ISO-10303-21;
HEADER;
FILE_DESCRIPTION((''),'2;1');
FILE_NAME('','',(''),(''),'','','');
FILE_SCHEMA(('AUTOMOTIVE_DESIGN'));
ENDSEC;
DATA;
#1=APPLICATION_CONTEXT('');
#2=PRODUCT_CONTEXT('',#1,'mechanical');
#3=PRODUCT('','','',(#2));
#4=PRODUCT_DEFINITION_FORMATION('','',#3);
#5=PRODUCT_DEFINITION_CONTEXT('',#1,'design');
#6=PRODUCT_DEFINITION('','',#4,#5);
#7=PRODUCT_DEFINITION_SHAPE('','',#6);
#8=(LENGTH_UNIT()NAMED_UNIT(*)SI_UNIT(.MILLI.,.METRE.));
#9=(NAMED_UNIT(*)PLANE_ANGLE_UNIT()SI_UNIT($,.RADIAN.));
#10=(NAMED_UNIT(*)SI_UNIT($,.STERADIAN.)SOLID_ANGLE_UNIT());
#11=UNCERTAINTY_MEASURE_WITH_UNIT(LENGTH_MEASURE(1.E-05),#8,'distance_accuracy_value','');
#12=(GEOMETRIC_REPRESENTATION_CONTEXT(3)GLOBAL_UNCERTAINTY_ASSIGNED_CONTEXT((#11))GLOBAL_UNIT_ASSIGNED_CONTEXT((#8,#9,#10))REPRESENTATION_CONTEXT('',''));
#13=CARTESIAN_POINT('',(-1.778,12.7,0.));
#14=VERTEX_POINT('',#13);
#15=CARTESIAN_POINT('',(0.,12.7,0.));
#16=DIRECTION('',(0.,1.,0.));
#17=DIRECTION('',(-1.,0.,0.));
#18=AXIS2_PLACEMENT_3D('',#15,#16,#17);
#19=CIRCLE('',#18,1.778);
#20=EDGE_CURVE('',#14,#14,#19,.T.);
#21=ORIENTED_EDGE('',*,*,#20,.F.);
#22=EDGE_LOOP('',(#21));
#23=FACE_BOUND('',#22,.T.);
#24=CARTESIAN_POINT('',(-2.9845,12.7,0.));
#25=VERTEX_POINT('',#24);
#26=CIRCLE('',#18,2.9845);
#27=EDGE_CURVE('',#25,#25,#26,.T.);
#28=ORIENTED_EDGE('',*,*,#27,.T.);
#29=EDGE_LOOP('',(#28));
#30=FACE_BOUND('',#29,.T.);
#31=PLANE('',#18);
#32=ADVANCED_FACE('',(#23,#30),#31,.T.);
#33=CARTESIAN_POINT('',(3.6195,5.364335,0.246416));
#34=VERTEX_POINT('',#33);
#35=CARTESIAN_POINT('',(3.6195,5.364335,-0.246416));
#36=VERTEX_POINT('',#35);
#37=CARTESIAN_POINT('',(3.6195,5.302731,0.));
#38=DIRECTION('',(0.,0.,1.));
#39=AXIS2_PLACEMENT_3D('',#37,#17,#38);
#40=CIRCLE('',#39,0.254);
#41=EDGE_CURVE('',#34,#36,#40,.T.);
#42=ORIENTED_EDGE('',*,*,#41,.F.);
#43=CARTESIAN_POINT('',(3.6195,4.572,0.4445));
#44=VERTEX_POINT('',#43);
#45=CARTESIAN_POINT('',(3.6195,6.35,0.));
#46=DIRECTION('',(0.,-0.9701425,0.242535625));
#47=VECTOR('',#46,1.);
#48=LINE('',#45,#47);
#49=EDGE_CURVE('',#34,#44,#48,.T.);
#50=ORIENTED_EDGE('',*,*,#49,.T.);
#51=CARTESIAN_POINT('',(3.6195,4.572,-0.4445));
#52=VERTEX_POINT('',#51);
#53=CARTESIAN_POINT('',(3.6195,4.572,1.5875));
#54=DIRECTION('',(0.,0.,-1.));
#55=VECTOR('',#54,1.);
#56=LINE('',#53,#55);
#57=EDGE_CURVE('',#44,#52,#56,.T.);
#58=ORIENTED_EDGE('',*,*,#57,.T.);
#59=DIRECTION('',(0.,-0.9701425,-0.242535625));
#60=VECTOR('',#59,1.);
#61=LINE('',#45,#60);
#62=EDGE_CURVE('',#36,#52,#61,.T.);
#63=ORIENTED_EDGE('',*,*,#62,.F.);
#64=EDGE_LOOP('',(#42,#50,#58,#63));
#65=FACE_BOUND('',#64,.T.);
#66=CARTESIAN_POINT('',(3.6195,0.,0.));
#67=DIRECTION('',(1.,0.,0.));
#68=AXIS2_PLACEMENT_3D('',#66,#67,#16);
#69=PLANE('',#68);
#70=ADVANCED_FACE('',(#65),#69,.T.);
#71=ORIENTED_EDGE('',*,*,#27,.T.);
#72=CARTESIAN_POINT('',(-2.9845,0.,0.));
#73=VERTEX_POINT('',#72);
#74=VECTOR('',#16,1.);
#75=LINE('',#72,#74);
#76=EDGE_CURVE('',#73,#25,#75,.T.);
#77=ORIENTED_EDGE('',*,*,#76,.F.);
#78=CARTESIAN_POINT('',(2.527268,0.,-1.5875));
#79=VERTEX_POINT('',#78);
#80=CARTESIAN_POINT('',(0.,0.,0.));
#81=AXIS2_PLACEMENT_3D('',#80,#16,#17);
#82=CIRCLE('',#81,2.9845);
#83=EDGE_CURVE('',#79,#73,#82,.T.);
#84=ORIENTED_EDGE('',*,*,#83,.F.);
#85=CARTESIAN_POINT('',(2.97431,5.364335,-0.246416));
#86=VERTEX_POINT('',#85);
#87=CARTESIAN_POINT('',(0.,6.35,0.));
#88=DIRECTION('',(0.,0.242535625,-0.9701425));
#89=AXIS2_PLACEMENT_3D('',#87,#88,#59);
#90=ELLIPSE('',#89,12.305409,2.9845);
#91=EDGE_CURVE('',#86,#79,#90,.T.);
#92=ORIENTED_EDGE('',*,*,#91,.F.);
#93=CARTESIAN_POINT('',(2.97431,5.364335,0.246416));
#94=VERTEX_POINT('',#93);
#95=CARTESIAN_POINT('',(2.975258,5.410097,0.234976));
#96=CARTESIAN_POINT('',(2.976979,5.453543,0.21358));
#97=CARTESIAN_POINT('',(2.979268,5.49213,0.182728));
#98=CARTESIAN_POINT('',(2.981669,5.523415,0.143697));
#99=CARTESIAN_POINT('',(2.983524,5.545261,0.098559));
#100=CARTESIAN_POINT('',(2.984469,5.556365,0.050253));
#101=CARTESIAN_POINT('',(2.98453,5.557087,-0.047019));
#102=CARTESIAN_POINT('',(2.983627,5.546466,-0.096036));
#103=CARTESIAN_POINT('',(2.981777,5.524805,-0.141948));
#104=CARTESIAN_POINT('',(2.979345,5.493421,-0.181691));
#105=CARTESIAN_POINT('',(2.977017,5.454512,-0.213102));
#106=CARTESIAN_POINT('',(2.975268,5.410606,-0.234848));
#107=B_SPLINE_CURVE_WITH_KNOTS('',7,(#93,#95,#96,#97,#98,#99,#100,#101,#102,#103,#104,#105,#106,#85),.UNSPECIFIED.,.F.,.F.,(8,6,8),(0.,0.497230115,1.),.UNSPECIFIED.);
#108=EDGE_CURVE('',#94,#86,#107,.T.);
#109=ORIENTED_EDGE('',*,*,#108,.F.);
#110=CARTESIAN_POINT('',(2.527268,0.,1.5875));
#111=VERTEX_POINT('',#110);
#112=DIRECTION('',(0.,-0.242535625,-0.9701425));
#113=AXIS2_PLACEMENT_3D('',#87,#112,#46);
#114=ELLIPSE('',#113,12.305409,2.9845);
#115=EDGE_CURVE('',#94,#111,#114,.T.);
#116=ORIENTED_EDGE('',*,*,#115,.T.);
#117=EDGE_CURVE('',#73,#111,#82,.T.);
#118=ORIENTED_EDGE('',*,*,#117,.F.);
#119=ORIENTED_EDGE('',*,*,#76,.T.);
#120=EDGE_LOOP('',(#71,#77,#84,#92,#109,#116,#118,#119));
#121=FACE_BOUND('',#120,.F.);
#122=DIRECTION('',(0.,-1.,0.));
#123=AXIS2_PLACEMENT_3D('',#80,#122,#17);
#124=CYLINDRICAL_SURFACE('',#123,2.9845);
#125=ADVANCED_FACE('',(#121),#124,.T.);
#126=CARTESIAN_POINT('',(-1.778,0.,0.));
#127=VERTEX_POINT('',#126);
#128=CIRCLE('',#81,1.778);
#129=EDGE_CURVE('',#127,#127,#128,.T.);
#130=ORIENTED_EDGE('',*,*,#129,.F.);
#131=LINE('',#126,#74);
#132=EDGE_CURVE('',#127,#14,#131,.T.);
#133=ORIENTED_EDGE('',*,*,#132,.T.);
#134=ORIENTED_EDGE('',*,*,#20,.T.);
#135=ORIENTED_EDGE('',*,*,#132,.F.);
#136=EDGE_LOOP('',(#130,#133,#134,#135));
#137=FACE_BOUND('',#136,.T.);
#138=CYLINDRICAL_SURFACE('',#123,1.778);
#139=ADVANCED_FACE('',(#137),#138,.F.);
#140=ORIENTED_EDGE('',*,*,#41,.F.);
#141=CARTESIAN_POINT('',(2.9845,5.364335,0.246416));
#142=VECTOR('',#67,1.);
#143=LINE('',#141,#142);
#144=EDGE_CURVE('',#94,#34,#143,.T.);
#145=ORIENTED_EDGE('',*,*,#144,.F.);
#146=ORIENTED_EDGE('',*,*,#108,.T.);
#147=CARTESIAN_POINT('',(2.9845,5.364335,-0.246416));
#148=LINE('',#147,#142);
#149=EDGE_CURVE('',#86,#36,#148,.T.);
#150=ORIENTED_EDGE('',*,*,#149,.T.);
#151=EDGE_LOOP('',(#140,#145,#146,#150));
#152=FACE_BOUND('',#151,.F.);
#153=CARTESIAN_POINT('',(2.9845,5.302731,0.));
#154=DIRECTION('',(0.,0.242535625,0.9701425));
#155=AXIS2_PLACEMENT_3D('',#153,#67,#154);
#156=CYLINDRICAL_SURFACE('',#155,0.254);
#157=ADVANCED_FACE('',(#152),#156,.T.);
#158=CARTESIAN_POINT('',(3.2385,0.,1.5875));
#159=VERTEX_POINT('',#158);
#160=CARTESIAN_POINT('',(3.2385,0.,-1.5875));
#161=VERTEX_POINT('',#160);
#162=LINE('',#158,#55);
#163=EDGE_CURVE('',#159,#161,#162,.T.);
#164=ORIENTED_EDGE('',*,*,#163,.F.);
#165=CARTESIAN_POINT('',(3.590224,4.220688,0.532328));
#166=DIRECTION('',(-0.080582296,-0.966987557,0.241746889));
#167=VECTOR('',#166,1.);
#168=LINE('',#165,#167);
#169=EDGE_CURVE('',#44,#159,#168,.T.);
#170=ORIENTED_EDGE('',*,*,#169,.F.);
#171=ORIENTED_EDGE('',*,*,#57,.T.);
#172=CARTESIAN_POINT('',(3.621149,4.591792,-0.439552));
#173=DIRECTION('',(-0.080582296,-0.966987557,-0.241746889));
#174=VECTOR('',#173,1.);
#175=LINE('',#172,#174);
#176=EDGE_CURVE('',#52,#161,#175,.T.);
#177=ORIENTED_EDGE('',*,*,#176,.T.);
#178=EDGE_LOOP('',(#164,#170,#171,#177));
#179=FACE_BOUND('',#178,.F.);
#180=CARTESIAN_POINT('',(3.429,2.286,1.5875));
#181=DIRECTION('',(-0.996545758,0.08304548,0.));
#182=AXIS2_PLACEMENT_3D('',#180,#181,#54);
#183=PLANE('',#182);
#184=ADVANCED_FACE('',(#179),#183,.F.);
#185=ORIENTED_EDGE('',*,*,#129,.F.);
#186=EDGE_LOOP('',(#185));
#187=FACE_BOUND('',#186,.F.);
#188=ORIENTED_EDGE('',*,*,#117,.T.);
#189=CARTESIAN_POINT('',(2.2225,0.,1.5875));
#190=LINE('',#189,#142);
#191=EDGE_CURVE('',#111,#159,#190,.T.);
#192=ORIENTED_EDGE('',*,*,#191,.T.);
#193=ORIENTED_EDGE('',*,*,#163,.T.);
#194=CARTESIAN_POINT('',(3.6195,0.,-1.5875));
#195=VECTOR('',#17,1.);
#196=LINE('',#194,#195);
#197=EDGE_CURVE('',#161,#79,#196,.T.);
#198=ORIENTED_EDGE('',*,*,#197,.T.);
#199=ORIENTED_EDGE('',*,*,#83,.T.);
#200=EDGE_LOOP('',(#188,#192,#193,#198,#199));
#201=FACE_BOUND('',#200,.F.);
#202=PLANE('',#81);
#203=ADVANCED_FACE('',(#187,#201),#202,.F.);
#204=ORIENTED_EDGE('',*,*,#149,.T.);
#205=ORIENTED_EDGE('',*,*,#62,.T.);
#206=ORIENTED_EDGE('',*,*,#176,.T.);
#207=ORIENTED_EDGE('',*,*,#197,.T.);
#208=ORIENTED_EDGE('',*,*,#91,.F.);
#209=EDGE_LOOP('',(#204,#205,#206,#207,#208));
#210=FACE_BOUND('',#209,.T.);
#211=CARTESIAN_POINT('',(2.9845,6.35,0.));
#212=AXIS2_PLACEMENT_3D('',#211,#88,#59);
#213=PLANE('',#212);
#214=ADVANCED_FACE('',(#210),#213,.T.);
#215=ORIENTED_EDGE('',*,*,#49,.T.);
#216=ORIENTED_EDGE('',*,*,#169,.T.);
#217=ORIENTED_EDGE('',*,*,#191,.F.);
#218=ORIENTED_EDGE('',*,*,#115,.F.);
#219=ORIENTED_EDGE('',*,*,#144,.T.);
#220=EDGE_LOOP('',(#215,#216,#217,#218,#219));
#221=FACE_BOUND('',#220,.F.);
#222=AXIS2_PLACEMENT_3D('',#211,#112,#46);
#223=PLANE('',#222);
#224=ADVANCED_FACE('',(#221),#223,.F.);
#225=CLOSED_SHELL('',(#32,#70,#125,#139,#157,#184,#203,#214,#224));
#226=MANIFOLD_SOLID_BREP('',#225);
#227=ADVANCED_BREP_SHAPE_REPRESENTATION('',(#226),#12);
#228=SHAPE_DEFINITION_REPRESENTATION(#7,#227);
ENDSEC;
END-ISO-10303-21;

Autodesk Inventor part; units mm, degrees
ref_plane "XZ Plane" through (0, 0, 0) normal (0, 1, 0) x (-1, 0, 0)
ref_plane "XY Plane" through (0, 0, 0) normal (0, 0, 1) x (1, 0, 0)
sketch "Sketch1" plane through (0, 0, 0) normal (0, 1, 0) x (-1, 0, 0)
  circle A0 centre (0, 0) radius 2.9845
  circle A1 centre (0, 0) radius 1.778
  dimension "d0" = 5.969
  dimension "d1" = 3.556
extrude "Extrusion1" add sketch "Sketch1" along normal blind 12.7
ref_plane "Work Plane1" through (2.9845, 0, 0) normal (1, 0, 0) x (0, 1, 0)
sketch "Sketch2" plane through (2.9845, 0, 0) normal (1, 0, 0) x (0, 1, 0)
  line L0 (6.35, 0) -> (0, 1.5875)
  line L1 (0, 1.5875) -> (0, -1.5875)
  line L2 (0, 2.9845) -> (0, -2.9845) projected
  line L3 (6.35, 0) -> (0, -1.5875)
  line L4 (0, -1.5875) -> (0, 0) construction
  line L5 (0, 0) -> (0, 1.5875) construction
  dimension "d4" = 3.175
  dimension "d5" = 6.35
extrude "Extrusion2" add sketch "Sketch2" along normal blind 0.635 and the other way blind 0.762
fillet "Fillet1" radius 0.254 1 edges at (3.302, 6.35, 0)
chamfer "Chamfer1" distance 4.572 distance2 0.381 1 edges at (3.6195, 0, 0) measured on face at (3.6195, 1.7881, 0.0821)
properties part number "HoleInsertsForBoltsLinkageSection" material "ABS Plastic"
